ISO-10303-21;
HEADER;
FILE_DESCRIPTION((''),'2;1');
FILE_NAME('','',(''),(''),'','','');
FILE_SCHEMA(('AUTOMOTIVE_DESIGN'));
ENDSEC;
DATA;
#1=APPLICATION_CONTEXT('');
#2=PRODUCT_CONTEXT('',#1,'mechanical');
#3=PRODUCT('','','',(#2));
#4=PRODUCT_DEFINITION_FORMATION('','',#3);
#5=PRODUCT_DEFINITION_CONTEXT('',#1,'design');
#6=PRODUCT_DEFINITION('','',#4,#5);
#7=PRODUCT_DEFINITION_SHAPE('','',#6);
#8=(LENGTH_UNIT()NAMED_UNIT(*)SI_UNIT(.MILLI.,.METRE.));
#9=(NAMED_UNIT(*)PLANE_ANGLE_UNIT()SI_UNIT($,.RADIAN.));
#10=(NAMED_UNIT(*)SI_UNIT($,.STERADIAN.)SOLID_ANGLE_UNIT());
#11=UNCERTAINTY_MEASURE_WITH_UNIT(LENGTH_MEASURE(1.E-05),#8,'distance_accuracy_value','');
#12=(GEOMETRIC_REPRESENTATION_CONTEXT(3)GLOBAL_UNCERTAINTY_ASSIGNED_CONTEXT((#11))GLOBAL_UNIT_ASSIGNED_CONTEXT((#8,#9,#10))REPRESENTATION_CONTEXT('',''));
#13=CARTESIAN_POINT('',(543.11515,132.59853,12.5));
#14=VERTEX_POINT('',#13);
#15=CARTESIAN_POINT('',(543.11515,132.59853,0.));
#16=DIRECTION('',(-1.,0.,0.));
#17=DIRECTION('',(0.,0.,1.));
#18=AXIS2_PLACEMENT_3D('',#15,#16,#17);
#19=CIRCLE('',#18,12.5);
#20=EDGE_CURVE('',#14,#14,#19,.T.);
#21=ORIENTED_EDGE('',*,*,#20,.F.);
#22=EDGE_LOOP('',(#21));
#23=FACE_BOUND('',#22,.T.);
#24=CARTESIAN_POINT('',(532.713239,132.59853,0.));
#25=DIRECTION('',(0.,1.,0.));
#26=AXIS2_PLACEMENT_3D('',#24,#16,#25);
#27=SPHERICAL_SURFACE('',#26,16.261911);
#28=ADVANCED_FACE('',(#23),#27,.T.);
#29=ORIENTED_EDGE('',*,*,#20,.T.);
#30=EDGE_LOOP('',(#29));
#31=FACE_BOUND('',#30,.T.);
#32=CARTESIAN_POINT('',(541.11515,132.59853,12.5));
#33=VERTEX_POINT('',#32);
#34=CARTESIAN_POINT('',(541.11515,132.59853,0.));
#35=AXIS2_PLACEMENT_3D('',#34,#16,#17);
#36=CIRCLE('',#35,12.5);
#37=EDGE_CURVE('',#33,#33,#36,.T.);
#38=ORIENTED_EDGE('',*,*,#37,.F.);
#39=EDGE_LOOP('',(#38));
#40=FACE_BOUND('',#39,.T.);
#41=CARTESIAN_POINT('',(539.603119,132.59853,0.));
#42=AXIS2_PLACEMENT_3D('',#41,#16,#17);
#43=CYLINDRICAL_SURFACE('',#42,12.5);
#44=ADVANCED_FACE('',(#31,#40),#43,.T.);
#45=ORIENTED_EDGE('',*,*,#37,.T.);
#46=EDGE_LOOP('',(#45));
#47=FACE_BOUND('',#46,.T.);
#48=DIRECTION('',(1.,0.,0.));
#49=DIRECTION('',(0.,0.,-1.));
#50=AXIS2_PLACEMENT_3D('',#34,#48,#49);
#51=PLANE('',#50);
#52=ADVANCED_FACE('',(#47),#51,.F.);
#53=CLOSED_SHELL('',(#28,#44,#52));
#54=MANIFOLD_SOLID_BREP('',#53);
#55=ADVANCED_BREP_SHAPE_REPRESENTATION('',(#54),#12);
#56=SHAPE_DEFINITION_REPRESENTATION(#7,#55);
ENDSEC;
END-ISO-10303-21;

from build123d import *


with BuildPart() as part:
    # 草图1 → 旋转1 (revolve)
    with BuildSketch(Plane.XY):
        with BuildLine():
            Line((541.115150234, 132.598529657), (541.115150234, 145.098529657))
            Line((541.115150234, 145.098529657), (543.115150234, 145.098529657))
            ThreePointArc((543.115150234, 145.098529657), (547.437448897, 139.50123927), (548.975150234, 132.598529657))
            Line((548.975150234, 132.598529657), (541.115150234, 132.598529657))
        make_face()
    revolve(axis=Axis((539.603118993, 132.598529657, 0), (1, 0, 0)))


solid = part.part
